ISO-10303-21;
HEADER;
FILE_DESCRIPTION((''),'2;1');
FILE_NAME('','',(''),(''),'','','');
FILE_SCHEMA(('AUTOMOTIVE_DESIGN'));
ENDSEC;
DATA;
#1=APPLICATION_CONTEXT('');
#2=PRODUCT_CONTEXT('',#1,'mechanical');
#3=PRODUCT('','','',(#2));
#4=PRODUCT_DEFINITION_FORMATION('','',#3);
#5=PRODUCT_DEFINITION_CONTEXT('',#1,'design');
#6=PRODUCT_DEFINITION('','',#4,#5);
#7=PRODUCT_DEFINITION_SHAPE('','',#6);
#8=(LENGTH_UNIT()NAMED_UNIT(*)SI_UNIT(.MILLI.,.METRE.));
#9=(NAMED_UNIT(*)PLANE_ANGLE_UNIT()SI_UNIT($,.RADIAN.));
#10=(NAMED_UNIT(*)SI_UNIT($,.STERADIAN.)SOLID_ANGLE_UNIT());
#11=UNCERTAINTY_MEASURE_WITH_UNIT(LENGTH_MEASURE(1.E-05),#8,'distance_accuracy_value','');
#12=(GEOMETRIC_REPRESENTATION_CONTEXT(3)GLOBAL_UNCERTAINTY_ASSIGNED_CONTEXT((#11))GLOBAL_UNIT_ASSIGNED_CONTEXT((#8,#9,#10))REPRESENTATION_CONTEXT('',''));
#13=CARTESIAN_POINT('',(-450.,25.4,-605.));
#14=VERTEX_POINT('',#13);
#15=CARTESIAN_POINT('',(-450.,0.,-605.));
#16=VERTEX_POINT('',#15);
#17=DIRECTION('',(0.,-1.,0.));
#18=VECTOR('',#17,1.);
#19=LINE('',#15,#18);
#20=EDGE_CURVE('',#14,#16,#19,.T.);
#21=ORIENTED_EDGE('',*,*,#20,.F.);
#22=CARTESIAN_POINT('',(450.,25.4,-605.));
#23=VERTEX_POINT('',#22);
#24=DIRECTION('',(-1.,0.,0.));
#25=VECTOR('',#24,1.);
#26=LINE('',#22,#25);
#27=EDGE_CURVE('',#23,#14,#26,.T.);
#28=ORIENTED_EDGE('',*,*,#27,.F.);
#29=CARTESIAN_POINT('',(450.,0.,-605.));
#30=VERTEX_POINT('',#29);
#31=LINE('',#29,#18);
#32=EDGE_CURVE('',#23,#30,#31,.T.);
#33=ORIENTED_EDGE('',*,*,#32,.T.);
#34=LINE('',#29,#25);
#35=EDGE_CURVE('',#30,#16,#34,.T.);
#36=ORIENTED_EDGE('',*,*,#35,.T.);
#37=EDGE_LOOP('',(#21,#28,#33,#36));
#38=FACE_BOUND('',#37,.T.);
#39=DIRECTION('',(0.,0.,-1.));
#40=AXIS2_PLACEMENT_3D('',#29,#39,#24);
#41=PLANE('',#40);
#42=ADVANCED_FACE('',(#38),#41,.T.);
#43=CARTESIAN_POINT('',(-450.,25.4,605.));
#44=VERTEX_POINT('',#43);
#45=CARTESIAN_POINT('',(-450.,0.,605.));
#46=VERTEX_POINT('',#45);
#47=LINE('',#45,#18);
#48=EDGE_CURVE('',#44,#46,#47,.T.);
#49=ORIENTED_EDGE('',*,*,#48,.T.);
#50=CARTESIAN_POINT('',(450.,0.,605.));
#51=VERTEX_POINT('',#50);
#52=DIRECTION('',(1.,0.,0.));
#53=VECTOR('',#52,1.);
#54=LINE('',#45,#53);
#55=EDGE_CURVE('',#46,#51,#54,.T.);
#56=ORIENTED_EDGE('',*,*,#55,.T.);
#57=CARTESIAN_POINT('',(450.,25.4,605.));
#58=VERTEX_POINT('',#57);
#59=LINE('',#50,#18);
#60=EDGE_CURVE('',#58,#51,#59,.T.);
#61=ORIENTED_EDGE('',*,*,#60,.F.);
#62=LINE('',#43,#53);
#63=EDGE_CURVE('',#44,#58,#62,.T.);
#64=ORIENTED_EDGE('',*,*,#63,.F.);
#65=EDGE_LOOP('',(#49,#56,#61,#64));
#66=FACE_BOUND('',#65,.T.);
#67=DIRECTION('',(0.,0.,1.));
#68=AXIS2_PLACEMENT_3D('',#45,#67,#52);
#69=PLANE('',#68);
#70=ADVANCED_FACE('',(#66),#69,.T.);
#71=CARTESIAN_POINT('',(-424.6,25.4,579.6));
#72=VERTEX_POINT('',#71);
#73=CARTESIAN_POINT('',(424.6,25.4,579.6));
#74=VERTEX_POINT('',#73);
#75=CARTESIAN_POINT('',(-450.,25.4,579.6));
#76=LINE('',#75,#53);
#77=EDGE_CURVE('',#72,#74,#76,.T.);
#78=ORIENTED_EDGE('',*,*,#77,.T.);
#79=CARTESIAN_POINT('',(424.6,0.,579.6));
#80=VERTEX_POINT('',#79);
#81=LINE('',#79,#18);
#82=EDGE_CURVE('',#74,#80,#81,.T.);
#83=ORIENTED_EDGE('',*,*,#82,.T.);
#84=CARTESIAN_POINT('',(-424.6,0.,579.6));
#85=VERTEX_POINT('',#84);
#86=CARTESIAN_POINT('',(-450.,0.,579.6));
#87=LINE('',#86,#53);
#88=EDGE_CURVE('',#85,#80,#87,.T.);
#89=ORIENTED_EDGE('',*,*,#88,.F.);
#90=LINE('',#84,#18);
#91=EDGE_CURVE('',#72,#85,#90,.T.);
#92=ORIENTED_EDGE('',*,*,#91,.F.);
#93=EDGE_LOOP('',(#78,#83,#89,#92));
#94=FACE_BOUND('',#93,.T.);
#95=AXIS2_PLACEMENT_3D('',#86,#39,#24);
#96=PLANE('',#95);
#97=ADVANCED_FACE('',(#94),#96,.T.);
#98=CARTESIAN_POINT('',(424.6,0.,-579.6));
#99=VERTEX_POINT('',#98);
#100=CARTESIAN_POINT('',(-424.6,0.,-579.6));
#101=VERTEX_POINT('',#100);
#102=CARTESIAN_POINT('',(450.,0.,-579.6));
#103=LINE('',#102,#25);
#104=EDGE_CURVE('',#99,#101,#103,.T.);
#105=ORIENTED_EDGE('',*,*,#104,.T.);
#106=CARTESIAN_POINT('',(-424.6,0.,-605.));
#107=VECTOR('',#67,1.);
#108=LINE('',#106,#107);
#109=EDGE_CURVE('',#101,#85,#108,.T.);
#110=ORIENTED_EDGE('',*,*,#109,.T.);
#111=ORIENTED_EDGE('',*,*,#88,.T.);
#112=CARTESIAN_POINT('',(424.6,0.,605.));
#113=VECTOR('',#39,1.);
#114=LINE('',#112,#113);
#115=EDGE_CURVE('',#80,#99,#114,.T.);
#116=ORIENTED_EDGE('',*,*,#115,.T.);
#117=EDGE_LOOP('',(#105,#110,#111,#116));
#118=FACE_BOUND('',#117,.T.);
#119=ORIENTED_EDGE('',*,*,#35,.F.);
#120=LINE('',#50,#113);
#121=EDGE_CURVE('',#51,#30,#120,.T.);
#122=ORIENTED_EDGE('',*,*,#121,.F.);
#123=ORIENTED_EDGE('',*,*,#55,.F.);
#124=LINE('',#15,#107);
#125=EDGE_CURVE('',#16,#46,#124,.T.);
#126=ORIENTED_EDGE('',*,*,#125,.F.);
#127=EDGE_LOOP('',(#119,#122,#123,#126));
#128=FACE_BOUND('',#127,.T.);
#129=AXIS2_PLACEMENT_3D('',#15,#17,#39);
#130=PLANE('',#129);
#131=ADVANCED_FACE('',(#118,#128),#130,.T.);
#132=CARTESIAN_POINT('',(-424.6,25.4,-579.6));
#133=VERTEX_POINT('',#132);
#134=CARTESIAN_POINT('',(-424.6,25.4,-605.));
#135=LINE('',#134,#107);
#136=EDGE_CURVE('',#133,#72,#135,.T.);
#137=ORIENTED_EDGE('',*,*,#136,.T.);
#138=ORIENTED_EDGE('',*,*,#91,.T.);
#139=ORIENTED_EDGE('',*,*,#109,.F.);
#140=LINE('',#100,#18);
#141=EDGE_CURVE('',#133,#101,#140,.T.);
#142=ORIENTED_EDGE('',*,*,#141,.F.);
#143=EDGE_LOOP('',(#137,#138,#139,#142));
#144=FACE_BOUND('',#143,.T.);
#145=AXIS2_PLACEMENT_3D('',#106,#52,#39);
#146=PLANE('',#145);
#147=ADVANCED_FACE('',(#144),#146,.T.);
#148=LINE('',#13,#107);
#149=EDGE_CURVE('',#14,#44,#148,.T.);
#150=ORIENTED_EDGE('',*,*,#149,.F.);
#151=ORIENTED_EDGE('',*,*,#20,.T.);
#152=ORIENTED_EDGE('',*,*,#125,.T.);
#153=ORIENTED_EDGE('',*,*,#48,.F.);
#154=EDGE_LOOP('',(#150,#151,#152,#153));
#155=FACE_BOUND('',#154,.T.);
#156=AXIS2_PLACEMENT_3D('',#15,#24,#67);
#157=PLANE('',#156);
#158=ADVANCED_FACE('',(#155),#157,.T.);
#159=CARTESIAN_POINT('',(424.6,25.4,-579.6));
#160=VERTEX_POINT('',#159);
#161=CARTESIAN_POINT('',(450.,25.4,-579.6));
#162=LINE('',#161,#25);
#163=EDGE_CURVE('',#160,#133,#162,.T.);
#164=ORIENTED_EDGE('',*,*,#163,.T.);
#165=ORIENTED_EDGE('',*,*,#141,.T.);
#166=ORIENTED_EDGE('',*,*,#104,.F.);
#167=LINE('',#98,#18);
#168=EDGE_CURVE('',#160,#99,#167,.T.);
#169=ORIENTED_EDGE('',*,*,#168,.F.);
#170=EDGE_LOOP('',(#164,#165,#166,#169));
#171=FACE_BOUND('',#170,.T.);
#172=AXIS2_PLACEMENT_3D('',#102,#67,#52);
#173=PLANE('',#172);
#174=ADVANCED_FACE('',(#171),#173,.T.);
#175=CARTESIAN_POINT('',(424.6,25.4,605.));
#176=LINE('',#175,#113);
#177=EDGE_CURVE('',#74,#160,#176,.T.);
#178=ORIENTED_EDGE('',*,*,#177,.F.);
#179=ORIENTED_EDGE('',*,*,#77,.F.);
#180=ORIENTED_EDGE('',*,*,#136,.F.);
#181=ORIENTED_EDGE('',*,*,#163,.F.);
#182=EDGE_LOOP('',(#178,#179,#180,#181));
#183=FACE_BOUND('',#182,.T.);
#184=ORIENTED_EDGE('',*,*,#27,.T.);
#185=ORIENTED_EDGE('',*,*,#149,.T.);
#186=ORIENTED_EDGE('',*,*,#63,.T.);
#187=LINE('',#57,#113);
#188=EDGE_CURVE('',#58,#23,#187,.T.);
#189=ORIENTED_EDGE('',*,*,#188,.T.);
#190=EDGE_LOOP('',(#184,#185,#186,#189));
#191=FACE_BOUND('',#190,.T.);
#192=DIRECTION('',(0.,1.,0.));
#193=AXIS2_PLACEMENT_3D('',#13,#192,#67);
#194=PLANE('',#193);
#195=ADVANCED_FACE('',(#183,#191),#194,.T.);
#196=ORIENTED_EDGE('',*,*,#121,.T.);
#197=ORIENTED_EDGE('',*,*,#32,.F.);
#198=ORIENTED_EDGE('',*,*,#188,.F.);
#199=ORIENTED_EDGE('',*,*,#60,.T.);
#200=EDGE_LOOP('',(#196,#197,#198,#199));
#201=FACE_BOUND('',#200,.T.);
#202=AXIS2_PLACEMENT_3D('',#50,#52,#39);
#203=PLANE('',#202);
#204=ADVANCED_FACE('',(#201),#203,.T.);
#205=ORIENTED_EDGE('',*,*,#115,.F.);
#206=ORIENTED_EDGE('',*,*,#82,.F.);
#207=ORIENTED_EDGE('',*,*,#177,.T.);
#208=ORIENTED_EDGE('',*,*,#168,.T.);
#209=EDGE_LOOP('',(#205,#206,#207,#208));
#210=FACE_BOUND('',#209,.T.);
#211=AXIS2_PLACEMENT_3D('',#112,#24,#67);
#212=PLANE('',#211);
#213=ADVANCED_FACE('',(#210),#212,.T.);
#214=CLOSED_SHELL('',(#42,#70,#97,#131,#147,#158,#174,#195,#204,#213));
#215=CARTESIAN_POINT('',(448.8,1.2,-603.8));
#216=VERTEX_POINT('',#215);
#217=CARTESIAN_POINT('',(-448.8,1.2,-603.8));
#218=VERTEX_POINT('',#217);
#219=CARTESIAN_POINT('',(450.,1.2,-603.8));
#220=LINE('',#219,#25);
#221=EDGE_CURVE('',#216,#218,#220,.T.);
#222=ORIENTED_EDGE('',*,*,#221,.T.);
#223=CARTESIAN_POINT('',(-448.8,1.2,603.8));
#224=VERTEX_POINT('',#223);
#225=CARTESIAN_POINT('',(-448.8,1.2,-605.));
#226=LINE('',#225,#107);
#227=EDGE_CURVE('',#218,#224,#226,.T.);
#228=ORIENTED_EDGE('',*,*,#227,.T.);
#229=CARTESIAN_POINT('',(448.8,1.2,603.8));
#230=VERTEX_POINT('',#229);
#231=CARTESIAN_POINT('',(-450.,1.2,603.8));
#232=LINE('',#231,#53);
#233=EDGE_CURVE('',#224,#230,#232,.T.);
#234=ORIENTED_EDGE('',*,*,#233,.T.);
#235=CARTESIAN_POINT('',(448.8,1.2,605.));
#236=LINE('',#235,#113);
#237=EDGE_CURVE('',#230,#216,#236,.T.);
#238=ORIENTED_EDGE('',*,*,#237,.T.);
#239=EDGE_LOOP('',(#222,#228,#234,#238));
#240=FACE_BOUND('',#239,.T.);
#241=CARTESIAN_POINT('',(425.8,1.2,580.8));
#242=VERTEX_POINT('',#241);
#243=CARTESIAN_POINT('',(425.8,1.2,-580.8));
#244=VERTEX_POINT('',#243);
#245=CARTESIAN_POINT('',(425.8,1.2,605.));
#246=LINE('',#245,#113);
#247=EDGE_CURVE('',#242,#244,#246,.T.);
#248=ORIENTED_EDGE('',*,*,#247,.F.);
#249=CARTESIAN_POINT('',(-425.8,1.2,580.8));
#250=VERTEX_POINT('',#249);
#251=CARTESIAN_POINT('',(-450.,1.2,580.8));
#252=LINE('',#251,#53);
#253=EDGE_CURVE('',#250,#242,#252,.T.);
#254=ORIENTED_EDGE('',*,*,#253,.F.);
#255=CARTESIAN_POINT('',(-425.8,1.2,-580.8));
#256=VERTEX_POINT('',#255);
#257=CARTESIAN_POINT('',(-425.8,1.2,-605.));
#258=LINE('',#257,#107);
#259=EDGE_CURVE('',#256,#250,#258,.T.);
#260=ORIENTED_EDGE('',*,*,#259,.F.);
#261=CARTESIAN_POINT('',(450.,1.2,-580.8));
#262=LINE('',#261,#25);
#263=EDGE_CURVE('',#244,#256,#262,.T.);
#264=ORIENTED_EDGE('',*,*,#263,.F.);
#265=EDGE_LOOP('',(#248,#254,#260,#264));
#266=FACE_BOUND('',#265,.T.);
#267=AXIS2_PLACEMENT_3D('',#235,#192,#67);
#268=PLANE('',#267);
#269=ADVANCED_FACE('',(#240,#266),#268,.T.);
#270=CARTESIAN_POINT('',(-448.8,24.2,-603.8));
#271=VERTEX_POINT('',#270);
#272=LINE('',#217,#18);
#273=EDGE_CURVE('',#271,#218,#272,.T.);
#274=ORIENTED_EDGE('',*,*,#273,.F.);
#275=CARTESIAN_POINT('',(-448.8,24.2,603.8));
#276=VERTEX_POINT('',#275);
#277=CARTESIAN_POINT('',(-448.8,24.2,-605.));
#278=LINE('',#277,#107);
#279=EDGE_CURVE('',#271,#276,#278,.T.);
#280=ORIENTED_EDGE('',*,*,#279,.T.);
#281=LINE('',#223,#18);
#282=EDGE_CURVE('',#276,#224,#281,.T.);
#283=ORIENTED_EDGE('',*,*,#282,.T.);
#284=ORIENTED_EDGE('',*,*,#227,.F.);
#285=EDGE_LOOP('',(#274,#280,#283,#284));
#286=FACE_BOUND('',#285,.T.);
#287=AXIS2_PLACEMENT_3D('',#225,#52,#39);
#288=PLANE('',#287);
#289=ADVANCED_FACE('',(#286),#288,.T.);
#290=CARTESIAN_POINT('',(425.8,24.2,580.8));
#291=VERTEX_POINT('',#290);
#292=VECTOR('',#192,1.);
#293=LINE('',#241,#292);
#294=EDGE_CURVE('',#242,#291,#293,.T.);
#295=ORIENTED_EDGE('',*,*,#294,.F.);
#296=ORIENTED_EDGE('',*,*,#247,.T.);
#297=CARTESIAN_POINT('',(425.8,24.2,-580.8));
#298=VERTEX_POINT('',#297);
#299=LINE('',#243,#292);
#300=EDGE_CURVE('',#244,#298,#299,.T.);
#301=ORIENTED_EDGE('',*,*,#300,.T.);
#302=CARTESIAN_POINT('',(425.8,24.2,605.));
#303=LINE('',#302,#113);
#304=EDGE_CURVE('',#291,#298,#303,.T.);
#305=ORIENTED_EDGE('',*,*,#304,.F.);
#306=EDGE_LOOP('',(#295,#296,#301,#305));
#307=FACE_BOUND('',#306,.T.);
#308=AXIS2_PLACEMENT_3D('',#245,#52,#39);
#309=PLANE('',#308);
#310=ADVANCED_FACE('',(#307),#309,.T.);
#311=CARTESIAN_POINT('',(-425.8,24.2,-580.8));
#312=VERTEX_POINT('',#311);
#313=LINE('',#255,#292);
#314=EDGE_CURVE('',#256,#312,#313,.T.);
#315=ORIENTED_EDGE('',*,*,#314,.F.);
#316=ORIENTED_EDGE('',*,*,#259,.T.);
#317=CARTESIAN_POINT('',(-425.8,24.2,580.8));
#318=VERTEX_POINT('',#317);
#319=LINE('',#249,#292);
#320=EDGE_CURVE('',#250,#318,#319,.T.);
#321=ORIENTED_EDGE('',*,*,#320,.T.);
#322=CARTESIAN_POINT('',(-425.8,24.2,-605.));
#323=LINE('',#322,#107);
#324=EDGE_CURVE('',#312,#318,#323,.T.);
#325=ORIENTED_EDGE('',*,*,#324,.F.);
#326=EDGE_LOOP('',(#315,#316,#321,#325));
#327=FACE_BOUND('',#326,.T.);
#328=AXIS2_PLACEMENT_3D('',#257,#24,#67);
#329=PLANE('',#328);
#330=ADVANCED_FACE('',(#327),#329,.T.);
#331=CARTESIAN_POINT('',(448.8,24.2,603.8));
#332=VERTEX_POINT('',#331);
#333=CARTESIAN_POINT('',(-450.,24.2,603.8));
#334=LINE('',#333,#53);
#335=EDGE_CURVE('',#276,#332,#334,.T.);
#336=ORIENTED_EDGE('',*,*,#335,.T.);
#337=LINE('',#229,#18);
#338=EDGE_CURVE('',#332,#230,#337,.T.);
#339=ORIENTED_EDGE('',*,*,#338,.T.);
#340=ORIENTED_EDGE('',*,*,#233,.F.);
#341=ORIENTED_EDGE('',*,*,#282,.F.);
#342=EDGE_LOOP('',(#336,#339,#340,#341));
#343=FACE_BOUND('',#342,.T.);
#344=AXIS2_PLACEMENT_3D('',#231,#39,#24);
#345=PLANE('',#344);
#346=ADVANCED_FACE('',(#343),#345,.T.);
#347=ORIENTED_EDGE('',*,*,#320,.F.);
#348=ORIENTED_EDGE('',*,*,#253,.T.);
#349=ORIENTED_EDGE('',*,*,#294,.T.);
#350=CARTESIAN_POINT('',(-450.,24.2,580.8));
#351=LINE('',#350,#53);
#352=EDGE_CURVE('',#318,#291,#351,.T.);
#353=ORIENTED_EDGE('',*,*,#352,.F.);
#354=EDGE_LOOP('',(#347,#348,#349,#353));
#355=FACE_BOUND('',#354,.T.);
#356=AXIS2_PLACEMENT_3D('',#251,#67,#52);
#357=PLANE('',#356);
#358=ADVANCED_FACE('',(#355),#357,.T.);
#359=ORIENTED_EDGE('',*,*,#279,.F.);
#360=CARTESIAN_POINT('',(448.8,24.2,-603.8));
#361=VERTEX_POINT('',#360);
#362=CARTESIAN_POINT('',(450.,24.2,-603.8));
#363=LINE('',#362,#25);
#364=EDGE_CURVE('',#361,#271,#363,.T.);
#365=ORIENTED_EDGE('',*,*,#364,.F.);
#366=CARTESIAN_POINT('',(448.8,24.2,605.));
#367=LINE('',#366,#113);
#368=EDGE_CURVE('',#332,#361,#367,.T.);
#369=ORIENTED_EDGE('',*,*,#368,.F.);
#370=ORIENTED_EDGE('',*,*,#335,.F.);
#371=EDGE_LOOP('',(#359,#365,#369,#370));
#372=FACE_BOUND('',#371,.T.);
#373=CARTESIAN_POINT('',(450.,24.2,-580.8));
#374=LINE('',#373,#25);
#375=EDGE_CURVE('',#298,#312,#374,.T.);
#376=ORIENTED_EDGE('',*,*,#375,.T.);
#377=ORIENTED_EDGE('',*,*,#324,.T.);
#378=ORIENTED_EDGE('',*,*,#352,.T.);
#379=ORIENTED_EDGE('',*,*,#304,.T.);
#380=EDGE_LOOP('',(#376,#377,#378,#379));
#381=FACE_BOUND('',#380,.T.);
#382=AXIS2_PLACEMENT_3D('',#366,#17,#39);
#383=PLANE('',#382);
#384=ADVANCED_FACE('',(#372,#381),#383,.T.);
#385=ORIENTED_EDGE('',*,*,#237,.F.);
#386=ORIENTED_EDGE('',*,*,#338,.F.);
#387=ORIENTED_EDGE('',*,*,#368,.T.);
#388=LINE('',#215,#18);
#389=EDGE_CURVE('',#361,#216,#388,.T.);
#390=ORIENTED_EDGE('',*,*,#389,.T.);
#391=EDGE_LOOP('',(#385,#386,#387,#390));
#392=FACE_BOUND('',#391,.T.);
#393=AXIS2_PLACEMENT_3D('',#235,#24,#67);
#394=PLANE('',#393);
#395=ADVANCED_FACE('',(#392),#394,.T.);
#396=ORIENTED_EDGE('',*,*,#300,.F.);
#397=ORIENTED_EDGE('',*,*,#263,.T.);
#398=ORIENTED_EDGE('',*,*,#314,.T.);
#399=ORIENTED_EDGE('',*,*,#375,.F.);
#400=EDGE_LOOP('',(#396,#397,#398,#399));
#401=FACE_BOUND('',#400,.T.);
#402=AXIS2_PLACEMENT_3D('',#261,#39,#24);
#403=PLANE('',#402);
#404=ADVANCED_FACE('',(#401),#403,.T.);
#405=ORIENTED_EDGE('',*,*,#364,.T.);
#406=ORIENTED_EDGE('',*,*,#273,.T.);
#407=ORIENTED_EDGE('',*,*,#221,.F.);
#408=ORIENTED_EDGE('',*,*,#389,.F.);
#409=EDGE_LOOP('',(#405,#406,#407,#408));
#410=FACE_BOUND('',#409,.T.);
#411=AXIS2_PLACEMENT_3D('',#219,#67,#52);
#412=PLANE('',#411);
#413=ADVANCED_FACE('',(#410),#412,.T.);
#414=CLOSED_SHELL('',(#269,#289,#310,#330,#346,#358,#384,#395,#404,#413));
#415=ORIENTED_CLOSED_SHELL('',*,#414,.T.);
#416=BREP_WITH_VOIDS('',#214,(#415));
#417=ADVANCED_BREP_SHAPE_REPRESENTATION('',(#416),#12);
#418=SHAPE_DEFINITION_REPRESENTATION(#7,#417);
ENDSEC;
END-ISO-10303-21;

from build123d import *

# Parameters (mm, degrees)
SKETCH2_W   = 25.4
SKETCH2_H   = 25.4
SKETCH2_W_2 = 23
SKETCH2_H_2 = 23


with BuildPart() as part:
    # Sweep1: sweep along a path in Sketch1
    with BuildLine(Plane(origin=(0, 0, 0), x_dir=(1, 0, 0), z_dir=(0, 1, 0))) as sweep1_path:
        Line((-450, 605), (450, 605))
        Line((450, 605), (450, -605))
        Line((450, -605), (-450, -605))
        Line((-450, -605), (-450, 605))
    # Sketch2 → Sweep1 (sweep)
    with BuildSketch(Plane(origin=(0, 0, 0), x_dir=(0, 0, -1), z_dir=(1, 0, 0))):
        with Locations((-592.3, 12.7)):
            Rectangle(SKETCH2_W, SKETCH2_H)
        with Locations((-592.3, 12.7)):
            Rectangle(SKETCH2_W_2, SKETCH2_H_2, mode=Mode.SUBTRACT)
    sweep(path=sweep1_path.line, transition=Transition.RIGHT)


solid = part.part
